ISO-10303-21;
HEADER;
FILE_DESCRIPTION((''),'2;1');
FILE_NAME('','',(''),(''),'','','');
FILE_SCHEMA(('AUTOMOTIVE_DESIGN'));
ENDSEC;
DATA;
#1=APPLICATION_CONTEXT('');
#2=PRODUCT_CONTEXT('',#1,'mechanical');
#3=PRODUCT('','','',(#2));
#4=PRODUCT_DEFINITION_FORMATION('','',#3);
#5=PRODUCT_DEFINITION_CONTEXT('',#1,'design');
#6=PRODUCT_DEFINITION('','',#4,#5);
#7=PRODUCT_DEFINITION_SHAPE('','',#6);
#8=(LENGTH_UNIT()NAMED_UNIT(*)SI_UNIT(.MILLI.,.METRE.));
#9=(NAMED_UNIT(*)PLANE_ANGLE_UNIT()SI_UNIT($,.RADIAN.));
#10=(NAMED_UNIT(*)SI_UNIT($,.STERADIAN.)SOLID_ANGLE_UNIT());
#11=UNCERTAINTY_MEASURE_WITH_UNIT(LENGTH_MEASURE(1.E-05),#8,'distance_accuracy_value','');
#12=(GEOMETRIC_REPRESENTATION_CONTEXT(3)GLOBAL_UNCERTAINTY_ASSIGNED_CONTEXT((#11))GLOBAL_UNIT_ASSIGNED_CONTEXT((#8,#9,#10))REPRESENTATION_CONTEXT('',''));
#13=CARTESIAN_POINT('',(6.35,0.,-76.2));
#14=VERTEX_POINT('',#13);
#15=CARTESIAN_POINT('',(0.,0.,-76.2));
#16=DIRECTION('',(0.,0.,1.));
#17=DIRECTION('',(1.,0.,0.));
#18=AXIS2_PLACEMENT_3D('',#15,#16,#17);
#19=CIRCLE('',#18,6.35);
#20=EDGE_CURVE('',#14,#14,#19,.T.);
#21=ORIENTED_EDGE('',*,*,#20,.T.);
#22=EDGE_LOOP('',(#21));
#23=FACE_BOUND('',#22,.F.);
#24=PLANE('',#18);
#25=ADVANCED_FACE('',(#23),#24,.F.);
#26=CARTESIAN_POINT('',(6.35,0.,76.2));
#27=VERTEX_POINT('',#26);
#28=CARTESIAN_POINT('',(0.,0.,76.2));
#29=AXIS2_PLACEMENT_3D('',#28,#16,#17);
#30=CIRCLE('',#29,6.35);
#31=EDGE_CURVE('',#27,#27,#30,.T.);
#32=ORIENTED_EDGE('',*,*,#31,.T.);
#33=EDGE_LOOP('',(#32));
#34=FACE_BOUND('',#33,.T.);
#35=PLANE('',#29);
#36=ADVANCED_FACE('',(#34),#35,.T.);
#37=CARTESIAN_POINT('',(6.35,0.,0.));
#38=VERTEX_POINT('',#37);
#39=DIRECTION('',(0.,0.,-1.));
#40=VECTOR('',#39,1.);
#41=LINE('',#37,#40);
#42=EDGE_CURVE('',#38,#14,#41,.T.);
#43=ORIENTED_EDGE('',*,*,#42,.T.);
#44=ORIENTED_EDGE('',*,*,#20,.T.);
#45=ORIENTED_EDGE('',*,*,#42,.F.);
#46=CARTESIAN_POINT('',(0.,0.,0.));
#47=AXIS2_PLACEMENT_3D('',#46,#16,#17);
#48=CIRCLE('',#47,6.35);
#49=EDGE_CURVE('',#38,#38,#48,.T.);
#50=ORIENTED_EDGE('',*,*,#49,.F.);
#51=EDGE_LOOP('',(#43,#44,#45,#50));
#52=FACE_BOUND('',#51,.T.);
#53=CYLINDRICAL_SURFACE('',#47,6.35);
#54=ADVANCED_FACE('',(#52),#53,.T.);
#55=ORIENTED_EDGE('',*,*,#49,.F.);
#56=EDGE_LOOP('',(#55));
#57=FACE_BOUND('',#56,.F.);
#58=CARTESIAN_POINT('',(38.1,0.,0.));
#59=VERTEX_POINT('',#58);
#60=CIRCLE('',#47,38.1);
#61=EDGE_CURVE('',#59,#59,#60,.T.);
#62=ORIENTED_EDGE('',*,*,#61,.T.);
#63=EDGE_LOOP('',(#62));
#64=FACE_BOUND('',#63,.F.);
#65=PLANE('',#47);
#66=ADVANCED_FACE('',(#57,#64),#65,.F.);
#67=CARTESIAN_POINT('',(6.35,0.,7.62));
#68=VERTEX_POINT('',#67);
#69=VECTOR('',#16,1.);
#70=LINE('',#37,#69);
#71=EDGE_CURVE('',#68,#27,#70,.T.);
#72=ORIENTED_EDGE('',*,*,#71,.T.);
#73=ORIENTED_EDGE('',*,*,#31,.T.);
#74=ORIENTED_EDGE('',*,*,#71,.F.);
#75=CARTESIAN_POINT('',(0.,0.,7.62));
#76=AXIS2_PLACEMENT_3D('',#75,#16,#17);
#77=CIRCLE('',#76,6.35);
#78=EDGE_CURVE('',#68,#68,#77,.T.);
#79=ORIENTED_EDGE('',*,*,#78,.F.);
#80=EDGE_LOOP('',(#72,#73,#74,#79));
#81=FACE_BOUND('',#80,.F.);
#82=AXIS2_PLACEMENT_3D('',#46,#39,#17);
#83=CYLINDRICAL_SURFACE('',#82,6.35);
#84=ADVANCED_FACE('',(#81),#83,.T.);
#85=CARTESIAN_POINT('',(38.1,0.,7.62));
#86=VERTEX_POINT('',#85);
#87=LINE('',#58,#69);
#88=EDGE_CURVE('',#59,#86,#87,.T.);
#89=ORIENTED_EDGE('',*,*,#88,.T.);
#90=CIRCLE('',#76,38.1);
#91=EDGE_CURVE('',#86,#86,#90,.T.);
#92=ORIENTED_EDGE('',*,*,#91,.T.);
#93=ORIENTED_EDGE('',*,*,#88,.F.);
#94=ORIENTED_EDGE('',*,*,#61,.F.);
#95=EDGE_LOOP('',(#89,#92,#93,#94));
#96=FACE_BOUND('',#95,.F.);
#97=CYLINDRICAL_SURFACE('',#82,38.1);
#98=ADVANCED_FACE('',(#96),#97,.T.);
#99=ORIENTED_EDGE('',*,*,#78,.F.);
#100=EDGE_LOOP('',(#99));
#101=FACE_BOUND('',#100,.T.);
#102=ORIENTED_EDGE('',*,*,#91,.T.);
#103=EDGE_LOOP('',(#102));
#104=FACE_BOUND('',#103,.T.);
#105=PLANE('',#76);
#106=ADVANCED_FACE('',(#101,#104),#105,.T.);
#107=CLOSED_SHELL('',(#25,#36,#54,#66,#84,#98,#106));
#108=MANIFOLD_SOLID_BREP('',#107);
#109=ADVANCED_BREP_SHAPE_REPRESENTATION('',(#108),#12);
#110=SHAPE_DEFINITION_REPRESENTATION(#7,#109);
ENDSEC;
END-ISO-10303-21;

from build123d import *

# Parameters (mm, degrees)
F0_R          = 38.1
F1_DEPTH      = 7.62
F3_D          = 12.7
F4_R          = 6.35
F5_DEPTH      = 76.2
F5_DEPTH_BACK = 76.2


with BuildPart() as f1:
    # F0 (on Top) → F1 (new body)
    with BuildSketch(Plane.XY):
        Circle(F0_R)
    extrude(amount=F1_DEPTH)

    # F3 (through all)
    with Locations(Plane(origin=(0, 0, 0), x_dir=(1, 0, 0), z_dir=(0, 0, -1))):
        with Locations((0, 0)):
            Hole(F3_D / 2)

    # F4 (on Top) → F5 (join, two sides)
    with BuildSketch(Plane.XY) as f5_sk:
        Circle(F4_R)
    extrude(amount=F5_DEPTH)
    extrude(f5_sk.sketch, amount=-F5_DEPTH_BACK)


solid = f1.part
